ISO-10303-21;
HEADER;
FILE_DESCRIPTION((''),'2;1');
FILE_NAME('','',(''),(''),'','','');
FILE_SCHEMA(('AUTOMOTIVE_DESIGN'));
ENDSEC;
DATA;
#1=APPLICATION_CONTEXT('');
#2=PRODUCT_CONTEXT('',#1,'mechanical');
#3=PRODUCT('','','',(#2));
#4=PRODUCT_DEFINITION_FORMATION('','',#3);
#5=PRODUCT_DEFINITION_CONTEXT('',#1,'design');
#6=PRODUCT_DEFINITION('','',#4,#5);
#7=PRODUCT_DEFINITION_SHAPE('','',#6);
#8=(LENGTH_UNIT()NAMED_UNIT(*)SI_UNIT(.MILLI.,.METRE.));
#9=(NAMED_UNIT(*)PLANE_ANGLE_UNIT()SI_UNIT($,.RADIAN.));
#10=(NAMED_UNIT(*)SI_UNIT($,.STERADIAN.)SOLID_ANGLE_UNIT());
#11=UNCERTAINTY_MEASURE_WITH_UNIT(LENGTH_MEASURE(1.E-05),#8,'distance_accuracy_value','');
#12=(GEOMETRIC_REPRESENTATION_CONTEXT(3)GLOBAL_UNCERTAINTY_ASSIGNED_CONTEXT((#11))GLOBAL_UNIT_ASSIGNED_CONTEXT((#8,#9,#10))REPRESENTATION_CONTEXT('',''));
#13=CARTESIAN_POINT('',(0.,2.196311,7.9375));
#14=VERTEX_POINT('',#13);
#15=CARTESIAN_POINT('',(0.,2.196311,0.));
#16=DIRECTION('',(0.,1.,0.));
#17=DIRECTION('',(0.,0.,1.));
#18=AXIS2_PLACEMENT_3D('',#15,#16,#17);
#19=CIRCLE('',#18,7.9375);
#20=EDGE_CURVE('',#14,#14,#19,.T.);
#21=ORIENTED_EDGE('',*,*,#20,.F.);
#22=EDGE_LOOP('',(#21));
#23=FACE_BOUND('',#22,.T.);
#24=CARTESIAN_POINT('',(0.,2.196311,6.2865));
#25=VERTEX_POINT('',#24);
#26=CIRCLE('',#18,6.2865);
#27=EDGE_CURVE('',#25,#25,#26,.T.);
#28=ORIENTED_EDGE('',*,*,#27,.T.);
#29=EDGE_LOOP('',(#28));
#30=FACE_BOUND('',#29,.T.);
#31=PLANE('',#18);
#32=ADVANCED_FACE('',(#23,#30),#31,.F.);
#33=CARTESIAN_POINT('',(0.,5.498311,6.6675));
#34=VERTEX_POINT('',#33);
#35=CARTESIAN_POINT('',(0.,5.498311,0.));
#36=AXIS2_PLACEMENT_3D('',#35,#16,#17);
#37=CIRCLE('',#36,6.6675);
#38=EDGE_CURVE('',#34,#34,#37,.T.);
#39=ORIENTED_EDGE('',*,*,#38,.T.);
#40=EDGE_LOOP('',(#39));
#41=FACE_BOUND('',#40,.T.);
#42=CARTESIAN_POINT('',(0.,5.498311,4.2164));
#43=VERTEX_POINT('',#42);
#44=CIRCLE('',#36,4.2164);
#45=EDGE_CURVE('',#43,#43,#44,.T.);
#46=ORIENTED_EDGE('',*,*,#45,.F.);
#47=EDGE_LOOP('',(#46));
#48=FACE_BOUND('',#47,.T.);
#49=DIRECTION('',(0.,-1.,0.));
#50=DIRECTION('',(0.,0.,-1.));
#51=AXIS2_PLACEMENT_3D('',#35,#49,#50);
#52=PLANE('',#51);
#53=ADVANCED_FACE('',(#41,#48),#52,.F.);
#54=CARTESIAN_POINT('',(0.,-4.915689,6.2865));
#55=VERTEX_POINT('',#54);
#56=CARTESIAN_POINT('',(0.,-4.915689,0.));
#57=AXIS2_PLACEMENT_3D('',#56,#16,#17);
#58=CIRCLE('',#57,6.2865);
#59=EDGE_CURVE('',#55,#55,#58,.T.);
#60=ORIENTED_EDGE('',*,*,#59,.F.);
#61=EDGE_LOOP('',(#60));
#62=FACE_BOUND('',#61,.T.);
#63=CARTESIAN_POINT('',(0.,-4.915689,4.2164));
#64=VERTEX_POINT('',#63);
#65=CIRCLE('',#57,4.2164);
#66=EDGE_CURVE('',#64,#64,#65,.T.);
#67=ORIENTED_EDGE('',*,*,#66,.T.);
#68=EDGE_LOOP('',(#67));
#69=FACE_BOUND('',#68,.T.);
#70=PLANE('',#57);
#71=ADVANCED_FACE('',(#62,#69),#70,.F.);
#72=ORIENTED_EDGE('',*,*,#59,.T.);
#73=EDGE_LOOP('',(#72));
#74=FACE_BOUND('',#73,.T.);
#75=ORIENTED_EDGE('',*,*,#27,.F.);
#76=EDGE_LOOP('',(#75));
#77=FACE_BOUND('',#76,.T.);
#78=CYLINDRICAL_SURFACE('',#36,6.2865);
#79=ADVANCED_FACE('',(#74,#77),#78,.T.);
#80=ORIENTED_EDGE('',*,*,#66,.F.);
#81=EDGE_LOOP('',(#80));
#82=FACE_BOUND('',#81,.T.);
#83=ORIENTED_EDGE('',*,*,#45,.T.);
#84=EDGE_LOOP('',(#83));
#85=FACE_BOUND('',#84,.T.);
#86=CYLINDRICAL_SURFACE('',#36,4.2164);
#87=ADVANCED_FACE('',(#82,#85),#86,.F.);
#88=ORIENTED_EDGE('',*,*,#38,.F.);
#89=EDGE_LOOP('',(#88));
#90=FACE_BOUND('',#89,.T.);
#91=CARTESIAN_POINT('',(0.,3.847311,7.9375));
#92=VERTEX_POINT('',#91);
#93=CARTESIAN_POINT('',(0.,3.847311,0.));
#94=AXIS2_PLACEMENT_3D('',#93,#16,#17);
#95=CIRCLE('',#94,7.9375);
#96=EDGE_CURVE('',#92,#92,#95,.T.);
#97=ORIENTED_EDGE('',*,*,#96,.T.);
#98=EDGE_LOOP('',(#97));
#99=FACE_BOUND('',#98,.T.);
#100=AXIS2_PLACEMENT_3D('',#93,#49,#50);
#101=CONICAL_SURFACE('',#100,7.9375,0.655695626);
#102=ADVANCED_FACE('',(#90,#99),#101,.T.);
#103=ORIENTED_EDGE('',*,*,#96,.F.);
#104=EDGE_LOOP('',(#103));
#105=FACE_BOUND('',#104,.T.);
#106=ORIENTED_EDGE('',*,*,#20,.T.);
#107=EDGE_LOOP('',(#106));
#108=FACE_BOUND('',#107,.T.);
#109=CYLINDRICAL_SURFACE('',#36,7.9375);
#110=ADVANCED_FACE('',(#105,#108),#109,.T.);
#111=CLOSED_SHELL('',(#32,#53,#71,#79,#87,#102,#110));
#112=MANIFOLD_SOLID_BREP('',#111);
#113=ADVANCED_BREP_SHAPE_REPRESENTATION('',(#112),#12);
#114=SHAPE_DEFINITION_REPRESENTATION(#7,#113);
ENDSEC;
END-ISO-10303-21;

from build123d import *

# Parameters (mm, degrees)
F_3_8_24_TAPPED_HOLE1_D = 8.4328


with BuildPart() as part:
    # Sketch1 → Revolve1 (revolve)
    with BuildSketch(Plane.XY, mode=Mode.PRIVATE) as revolve1_sk:
        Polygon((0, 5.498310654), (0, -4.915689346), (6.2865, -4.915689346), (6.2865, 2.196310654), (7.9375, 2.196310654), (7.9375, 3.847310654), (6.6675, 5.498310654), align=None)
    revolve(revolve1_sk.sketch.rotate(Axis((0, 5.498310654, 0), (0, -1, 0)), 90), axis=Axis((0, 5.498310654, 0), (0, -1, 0)))

    # 3/8-24 Tapped Hole1 (through all)
    with Locations(Plane(origin=(0, 5.498310654, 0), x_dir=(1, 0, 0), z_dir=(0, 1, 0))):
        with Locations((0, 0)):
            Hole(F_3_8_24_TAPPED_HOLE1_D / 2)


solid = part.part
